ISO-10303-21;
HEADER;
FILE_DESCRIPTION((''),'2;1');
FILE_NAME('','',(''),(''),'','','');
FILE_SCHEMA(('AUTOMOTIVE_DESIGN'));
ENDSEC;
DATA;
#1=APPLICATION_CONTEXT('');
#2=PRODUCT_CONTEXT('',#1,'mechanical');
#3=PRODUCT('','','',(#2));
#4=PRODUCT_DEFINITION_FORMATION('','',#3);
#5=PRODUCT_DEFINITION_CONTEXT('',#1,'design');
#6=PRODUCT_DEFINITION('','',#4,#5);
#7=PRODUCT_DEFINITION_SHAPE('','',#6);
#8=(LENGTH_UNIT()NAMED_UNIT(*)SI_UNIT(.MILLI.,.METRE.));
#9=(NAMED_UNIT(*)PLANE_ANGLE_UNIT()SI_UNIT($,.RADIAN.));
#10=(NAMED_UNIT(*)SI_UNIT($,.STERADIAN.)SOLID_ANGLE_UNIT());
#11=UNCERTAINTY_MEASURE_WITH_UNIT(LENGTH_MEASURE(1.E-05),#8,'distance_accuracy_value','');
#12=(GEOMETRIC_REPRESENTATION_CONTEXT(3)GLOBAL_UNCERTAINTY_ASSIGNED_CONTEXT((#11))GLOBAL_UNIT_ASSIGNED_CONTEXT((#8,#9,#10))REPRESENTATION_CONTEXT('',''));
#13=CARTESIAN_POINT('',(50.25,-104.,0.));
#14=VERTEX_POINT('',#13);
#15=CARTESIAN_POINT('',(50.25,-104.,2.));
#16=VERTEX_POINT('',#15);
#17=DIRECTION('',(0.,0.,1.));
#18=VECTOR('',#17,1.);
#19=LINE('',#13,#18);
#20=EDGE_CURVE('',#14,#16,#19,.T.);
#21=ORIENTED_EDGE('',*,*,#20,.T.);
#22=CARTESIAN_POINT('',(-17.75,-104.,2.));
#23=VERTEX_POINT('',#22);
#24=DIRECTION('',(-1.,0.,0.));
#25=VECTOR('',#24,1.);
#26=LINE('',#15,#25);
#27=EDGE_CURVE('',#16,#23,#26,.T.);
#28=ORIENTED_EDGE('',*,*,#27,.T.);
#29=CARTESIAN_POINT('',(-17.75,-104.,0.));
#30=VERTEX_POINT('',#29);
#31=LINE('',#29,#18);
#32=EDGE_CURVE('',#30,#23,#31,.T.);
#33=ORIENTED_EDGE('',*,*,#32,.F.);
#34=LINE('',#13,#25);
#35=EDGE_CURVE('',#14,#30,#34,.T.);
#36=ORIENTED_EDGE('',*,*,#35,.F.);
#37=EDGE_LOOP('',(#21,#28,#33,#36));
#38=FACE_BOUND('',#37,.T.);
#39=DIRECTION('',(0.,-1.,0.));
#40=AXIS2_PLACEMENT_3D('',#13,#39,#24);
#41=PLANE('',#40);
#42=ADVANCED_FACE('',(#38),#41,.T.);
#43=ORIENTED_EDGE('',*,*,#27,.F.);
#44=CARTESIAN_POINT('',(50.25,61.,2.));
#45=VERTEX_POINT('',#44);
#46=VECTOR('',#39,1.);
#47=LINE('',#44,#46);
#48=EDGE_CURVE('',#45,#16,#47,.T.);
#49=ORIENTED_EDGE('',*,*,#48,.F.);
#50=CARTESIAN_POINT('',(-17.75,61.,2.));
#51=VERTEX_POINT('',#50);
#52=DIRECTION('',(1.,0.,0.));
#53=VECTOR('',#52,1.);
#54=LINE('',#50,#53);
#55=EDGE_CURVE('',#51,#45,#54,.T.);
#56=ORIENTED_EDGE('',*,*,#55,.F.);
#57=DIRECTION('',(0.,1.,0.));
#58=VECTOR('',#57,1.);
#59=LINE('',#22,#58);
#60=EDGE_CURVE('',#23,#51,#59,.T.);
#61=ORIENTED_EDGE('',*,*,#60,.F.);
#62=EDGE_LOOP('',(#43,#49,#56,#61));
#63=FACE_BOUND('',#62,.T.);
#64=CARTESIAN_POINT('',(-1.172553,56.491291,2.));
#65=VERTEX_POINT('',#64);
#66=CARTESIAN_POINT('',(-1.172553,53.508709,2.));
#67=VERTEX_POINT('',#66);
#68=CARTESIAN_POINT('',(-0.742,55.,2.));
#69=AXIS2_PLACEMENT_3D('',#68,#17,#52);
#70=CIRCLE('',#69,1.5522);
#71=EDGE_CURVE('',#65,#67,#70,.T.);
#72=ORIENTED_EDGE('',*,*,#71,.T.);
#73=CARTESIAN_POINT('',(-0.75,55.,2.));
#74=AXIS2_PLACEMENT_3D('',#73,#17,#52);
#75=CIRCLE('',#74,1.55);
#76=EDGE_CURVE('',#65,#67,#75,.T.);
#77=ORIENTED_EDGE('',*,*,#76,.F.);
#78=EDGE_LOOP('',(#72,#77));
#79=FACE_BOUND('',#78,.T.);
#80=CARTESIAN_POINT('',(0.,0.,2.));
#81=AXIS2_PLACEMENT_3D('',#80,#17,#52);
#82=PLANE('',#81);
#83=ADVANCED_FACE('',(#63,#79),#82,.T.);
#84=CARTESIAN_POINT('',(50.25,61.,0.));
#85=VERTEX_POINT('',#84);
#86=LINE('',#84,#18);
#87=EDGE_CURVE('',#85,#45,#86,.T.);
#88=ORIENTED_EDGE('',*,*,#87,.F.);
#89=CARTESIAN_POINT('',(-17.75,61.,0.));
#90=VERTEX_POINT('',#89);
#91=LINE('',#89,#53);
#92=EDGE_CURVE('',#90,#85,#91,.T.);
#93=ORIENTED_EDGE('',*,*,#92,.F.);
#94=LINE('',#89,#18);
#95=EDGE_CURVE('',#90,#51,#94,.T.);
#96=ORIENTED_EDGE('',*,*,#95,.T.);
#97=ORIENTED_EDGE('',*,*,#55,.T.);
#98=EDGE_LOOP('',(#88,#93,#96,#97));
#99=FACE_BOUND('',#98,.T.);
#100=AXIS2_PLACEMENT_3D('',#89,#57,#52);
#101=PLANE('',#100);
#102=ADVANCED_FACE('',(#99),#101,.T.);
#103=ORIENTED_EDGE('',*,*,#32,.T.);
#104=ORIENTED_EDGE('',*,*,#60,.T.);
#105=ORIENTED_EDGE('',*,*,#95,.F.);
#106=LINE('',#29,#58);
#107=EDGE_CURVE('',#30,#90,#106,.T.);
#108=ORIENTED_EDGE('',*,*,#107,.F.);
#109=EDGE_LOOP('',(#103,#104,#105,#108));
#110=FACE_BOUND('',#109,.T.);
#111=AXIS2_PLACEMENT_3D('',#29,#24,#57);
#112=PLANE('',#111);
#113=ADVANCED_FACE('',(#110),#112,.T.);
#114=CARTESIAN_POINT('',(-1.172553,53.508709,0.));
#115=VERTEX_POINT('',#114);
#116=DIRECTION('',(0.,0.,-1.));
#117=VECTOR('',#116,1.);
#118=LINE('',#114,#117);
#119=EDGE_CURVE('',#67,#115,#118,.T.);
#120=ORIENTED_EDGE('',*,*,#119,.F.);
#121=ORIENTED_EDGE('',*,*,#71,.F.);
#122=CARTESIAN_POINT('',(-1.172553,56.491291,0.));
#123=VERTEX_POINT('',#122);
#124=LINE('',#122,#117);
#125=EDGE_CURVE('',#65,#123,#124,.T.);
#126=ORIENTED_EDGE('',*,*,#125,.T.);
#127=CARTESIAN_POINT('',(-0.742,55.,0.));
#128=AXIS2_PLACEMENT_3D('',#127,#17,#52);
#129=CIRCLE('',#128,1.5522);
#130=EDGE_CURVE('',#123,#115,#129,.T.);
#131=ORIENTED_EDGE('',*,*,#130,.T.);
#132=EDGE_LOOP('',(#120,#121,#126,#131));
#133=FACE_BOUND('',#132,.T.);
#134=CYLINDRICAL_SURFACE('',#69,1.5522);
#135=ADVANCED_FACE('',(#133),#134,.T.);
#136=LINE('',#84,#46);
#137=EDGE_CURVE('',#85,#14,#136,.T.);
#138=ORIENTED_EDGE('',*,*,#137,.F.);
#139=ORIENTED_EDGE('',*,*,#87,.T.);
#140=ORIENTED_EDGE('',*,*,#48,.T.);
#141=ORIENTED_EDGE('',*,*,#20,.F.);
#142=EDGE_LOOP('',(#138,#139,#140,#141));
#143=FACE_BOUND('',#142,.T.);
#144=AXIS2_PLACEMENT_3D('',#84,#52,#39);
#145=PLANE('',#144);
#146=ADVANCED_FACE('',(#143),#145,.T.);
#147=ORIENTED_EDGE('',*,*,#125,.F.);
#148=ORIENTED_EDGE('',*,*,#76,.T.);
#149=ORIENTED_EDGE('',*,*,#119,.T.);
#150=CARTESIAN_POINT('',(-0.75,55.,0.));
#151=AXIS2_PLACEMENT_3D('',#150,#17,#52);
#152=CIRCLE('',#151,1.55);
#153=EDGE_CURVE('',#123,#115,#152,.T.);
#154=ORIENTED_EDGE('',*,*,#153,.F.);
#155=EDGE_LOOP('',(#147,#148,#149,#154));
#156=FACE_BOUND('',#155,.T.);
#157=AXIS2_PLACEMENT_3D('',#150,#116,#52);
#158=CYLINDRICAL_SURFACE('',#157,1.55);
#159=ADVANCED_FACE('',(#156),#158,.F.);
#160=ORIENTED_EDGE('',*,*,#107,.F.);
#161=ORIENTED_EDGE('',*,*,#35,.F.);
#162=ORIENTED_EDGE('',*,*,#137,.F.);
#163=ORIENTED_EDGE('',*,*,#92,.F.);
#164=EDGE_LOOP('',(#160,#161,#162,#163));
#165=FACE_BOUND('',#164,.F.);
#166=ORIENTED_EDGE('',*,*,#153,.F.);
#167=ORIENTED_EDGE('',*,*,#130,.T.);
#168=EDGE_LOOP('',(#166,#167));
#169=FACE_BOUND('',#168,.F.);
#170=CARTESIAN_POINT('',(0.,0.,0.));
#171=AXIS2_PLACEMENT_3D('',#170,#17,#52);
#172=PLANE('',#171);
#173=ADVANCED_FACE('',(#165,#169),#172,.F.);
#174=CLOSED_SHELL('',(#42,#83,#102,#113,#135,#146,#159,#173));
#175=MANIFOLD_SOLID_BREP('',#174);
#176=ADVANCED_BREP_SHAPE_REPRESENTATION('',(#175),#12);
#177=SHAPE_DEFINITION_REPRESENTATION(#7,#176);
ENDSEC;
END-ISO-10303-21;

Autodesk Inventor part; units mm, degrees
ref_plane "YZ Plane" through (0, 0, 0) normal (1, 0, 0) x (0, 1, 0)
ref_plane "XZ Plane" through (0, 0, 0) normal (0, 1, 0) x (-1, 0, 0)
ref_plane "XY Plane" through (0, 0, 0) normal (0, 0, 1) x (1, 0, 0)
sketch "スケッチ1" plane through (0, 0, 0) normal (0, 0, 1) x (1, 0, 0)
  circle A0 centre (-4.75, 48) radius 1.55
  circle A1 centre (4.75, 48) radius 1.55
  circle A2 centre (-4.75, -48) radius 1.55
  circle A3 centre (4.75, -48) radius 1.55
  line L0 (-4.75, -48) -> (4.75, -48) construction
  line L1 (4.75, -48) -> (4.75, 48) construction
  line L2 (4.75, 48) -> (-4.75, 48) construction
  line L3 (-4.75, 48) -> (-4.75, -48) construction
  line L4 (-4.75, -48) -> (4.75, 48) construction
  line L5 (4.75, -48) -> (-4.75, 48) construction
  line L6 (-17.75, 61) -> (50.25, 61)
  line L7 (50.25, 61) -> (50.25, -104)
  line L8 (50.25, -104) -> (-17.75, -104)
  line L9 (-17.75, -104) -> (-17.75, 61)
  circle A4 centre (44.25, 55) radius 1.55
  line L10 (16.25, 61) -> (16.25, -104) construction
  line L11 (16.25, -21.5) -> (50.25, -21.5) construction
  circle A5 centre (21.25, 55) radius 1.55
  circle A6 centre (33.25, 55) radius 1.55
  line L12 (16.25, 19.75) -> (50.25, 19.75) construction
  line L13 (16.25, 40.375) -> (50.25, 40.375) construction
  circle A7 centre (44.25, 25.75) radius 1.55
  circle A8 centre (44.25, -15.5) radius 1.55
  circle A9 centre (44.25, 13.75) radius 1.55
  circle A10 centre (44.25, -98) radius 1.55
  circle A11 centre (21.25, -98) radius 1.55
  circle A12 centre (33.25, -98) radius 1.55
  circle A13 centre (44.25, -68.75) radius 1.55
  circle A14 centre (44.25, -27.5) radius 1.55
  circle A15 centre (44.25, -56.75) radius 1.55
  circle A16 centre (-11.75, 55) radius 1.55
  circle A17 centre (11.25, 55) radius 1.55
  circle A18 centre (-0.75, 55) radius 1.55
  circle A19 centre (-11.75, 25.75) radius 1.55
  circle A20 centre (-11.75, -15.5) radius 1.55
  circle A21 centre (-11.75, 13.75) radius 1.55
  circle A22 centre (-11.75, -27.5) radius 1.55
  circle A23 centre (-11.75, -56.75) radius 1.55
  circle A24 centre (11.25, -98) radius 1.55
  circle A25 centre (-0.75, -98) radius 1.55
  circle A26 centre (-11.75, -98) radius 1.55
  circle A27 centre (-11.75, -68.75) radius 1.55
  circle A28 centre (-4.75, 38) radius 1.55
  circle A29 centre (4.75, 38) radius 1.55
  circle A30 centre (-4.75, -58) radius 1.55
  circle A31 centre (4.75, -58) radius 1.55
  circle A32 centre (-4.75, 28) radius 1.55
  circle A33 centre (4.75, 28) radius 1.55
  circle A34 centre (-4.75, -68) radius 1.55
  circle A35 centre (4.75, -68) radius 1.55
  circle A36 centre (-4.75, 18) radius 1.55
  circle A37 centre (4.75, 18) radius 1.55
  circle A38 centre (-4.75, -78) radius 1.55
  circle A39 centre (4.75, -78) radius 1.55
  circle A40 centre (-4.75, 8) radius 1.55
  circle A41 centre (4.75, 8) radius 1.55
  circle A42 centre (-4.75, -88) radius 1.55
  circle A43 centre (4.75, -88) radius 1.55
  circle A44 centre (25.5, 36.25) radius 10.75
  line L14 (14.75, 47) -> (36.25, 47) construction
  line L15 (36.25, 47) -> (36.25, -90) construction
  line L16 (36.25, -90) -> (14.75, -90) construction
  line L17 (14.75, -90) -> (14.75, 47) construction
  circle A45 centre (25.5, -0.75) radius 10.75
  circle A46 centre (25.5, -37.75) radius 10.75
  circle A47 centre (25.5, -74.75) radius 10.75
  circle A48 centre (4.75, 48) radius 2.75 construction
  point P0 (0, 0)
  dimension "d0" = 3.1
  dimension "d1" = 9.5
  dimension "d2" = 96
  dimension "d3" = 13
  dimension "d4" = 13
  dimension "d7" = 165
  dimension "d8" = 68
  dimension "d16" = 3.1
  dimension "d17" = 6
  dimension "d18" = 6
  dimension "d19" = 5
  dimension "d20" = 17
  dimension "d21" = 41.25
  dimension "d22" = 20.625
  dimension "d25" = 10
  dimension "d30" = 10
  dimension "d31" = 8
  dimension "d32" = 8
  dimension "d35" = 37
  dimension "d40" = 8
  dimension "d41" = 5.5
extrude "押し出し1" add sketch "スケッチ1" along normal blind 2
sketch "スケッチ3" plane through (0, 0, 2) normal (0, 0, 1) x (1, 0, 0)
  circle A0 centre (44.25, 13.75) radius 1.55 projected
  circle A1 centre (44.25, 13.75) radius 1.55
  circle A2 centre (44.25, -15.5) radius 1.55 projected
  circle A3 centre (44.25, -15.5) radius 1.55
  circle A4 centre (44.25, -27.5) radius 1.55 projected
  circle A5 centre (44.25, -27.5) radius 1.55
  circle A6 centre (44.25, 25.75) radius 1.55 projected
  circle A7 centre (44.25, 25.75) radius 1.55
  circle A8 centre (4.75, 28) radius 1.55 projected
  circle A9 centre (4.75, 28) radius 1.55
  circle A10 centre (4.75, 18) radius 1.55 projected
  circle A11 centre (4.75, 18) radius 1.55
  circle A12 centre (4.75, 8) radius 1.55 projected
  circle A13 centre (4.75, 8) radius 1.55
  circle A14 centre (-4.75, 8) radius 1.55 projected
  circle A15 centre (-4.75, 8) radius 1.55
  circle A16 centre (-4.75, 18) radius 1.55 projected
  circle A17 centre (-4.75, 18) radius 1.55
  circle A18 centre (-4.75, 28) radius 1.55 projected
  circle A19 centre (-4.75, 28) radius 1.55
  circle A20 centre (-4.75, 38) radius 1.55 projected
  circle A21 centre (-4.75, 38) radius 1.55
  circle A22 centre (4.75, 38) radius 1.55 projected
  circle A23 centre (4.75, 38) radius 1.55
  circle A24 centre (-11.75, 25.75) radius 1.55 projected
  circle A25 centre (-11.75, 25.75) radius 1.55
  circle A26 centre (-11.75, 13.75) radius 1.55 projected
  circle A27 centre (-11.75, 13.75) radius 1.55
  circle A28 centre (-11.75, 55) radius 1.55 projected
  circle A29 centre (-11.75, 55) radius 1.55
  circle A30 centre (-0.742, 55) radius 1.5522
  circle A31 centre (11.25, 55) radius 1.55 projected
  circle A32 centre (11.25, 55) radius 1.55
  circle A33 centre (21.25, 55) radius 1.55 projected
  circle A34 centre (21.25, 55) radius 1.55
  circle A35 centre (33.25, 55) radius 1.55 projected
  circle A36 centre (33.25, 55) radius 1.55
  circle A37 centre (44.25, 55) radius 1.55 projected
  circle A38 centre (44.25, 55) radius 1.55
  circle A39 centre (25.5, 36.25) radius 10.75 projected
  circle A40 centre (25.5, 36.25) radius 10.75
  circle A41 centre (25.5, -0.75) radius 10.75 projected
  circle A42 centre (25.5, -0.75) radius 10.75
  circle A43 centre (25.5, -37.75) radius 10.75 projected
  circle A44 centre (25.5, -37.75) radius 10.75
  circle A45 centre (44.25, -56.75) radius 1.55 projected
  circle A46 centre (44.25, -56.75) radius 1.55
  circle A47 centre (44.25, -68.75) radius 1.55 projected
  circle A48 centre (44.25, -68.75) radius 1.55
  circle A49 centre (25.5, -74.75) radius 10.75 projected
  circle A50 centre (25.5, -74.75) radius 10.75
  circle A51 centre (4.75, -78) radius 1.55 projected
  circle A52 centre (4.75, -78) radius 1.55
  circle A53 centre (4.75, -68) radius 1.55 projected
  circle A54 centre (4.75, -68) radius 1.55
  circle A55 centre (4.75, -58) radius 1.55 projected
  circle A56 centre (4.75, -58) radius 1.55
  circle A57 centre (4.75, -48) radius 1.55 projected
  circle A58 centre (4.75, -48) radius 1.55
  circle A59 centre (-4.75, -48) radius 1.55 projected
  circle A60 centre (-4.75, -48) radius 1.55
  circle A61 centre (-4.75, -58) radius 1.55 projected
  circle A62 centre (-4.75, -58) radius 1.55
  circle A63 centre (-11.75, -56.75) radius 1.55 projected
  circle A64 centre (-11.75, -56.75) radius 1.55
  circle A65 centre (-4.75, -68) radius 1.55 projected
  circle A66 centre (-4.75, -68) radius 1.55
  circle A67 centre (-11.75, -68.75) radius 1.55 projected
  circle A68 centre (-11.75, -68.75) radius 1.55
  circle A69 centre (-4.75, -78) radius 1.55 projected
  circle A70 centre (-4.75, -78) radius 1.55
  circle A71 centre (-4.75, -88) radius 1.55 projected
  circle A72 centre (-4.75, -88) radius 1.55
  circle A73 centre (4.75, -88) radius 1.55 projected
  circle A74 centre (4.75, -88) radius 1.55
  circle A75 centre (-11.75, -98) radius 1.55 projected
  circle A76 centre (-11.75, -98) radius 1.55
  circle A77 centre (-0.75, -98) radius 1.55 projected
  circle A78 centre (-0.75, -98) radius 1.55
  circle A79 centre (11.25, -98) radius 1.55 projected
  circle A80 centre (11.25, -98) radius 1.55
  circle A81 centre (21.25, -98) radius 1.55 projected
  circle A82 centre (21.25, -98) radius 1.55
  circle A83 centre (44.25, -98) radius 1.55 projected
  circle A84 centre (44.25, -98) radius 1.55
  circle A85 centre (33.25, -98) radius 1.55 projected
  circle A86 centre (33.25, -98) radius 1.55
  circle A87 centre (-4.75, 48) radius 1.55 projected
  circle A88 centre (-4.75, 48) radius 1.55
  circle A89 centre (4.75, 48) radius 1.55 projected
  circle A90 centre (4.75, 48) radius 1.55
  circle A91 centre (-11.75, -27.5) radius 1.55 projected
  circle A92 centre (-11.75, -27.5) radius 1.55
  circle A93 centre (-11.75, -15.5) radius 1.55 projected
  circle A94 centre (-11.75, -15.5) radius 1.55
  point P0 (0, 0)
extrude "押し出し3" add sketch "スケッチ3" against normal up to surface (2 mm away)
equation "\"d1\" = d20_1"
equation "\"d4\" = d3"
equation "\"d8\" = 足_短辺"
equation "\"d18\" = d17"
equation "\"d20\" = 0.25 * d8"
equation "\"d21\" = 0.25 * d7"
equation "\"d22\" = 0.5 * d21"
equation "\"d31\" = d32"
equation "\"d40\" = d31"
equation "\"H_head\" = 96"
equation "\"H_leg\" = 306"
equation "\"足の面積\" = 12720.125"
equation "\"現在の面積\" = 11560"
equation "\"足_短辺\" = 68"
equation "\"円柱\" = 313.5"
equation "\"胴体中心から手先\" = 342"
equation "\"H_leg_1\" = 186.2"
equation "\"H_leg_MAX\" = 399"
equation "\"H_head_1\" = 26.6"
equation "\"H_head_MAX\" = 142.5"
equation "\"d20_1\" = 9.5"
properties part number "足裏_メインフレーム_1_3" material "GFRP"
